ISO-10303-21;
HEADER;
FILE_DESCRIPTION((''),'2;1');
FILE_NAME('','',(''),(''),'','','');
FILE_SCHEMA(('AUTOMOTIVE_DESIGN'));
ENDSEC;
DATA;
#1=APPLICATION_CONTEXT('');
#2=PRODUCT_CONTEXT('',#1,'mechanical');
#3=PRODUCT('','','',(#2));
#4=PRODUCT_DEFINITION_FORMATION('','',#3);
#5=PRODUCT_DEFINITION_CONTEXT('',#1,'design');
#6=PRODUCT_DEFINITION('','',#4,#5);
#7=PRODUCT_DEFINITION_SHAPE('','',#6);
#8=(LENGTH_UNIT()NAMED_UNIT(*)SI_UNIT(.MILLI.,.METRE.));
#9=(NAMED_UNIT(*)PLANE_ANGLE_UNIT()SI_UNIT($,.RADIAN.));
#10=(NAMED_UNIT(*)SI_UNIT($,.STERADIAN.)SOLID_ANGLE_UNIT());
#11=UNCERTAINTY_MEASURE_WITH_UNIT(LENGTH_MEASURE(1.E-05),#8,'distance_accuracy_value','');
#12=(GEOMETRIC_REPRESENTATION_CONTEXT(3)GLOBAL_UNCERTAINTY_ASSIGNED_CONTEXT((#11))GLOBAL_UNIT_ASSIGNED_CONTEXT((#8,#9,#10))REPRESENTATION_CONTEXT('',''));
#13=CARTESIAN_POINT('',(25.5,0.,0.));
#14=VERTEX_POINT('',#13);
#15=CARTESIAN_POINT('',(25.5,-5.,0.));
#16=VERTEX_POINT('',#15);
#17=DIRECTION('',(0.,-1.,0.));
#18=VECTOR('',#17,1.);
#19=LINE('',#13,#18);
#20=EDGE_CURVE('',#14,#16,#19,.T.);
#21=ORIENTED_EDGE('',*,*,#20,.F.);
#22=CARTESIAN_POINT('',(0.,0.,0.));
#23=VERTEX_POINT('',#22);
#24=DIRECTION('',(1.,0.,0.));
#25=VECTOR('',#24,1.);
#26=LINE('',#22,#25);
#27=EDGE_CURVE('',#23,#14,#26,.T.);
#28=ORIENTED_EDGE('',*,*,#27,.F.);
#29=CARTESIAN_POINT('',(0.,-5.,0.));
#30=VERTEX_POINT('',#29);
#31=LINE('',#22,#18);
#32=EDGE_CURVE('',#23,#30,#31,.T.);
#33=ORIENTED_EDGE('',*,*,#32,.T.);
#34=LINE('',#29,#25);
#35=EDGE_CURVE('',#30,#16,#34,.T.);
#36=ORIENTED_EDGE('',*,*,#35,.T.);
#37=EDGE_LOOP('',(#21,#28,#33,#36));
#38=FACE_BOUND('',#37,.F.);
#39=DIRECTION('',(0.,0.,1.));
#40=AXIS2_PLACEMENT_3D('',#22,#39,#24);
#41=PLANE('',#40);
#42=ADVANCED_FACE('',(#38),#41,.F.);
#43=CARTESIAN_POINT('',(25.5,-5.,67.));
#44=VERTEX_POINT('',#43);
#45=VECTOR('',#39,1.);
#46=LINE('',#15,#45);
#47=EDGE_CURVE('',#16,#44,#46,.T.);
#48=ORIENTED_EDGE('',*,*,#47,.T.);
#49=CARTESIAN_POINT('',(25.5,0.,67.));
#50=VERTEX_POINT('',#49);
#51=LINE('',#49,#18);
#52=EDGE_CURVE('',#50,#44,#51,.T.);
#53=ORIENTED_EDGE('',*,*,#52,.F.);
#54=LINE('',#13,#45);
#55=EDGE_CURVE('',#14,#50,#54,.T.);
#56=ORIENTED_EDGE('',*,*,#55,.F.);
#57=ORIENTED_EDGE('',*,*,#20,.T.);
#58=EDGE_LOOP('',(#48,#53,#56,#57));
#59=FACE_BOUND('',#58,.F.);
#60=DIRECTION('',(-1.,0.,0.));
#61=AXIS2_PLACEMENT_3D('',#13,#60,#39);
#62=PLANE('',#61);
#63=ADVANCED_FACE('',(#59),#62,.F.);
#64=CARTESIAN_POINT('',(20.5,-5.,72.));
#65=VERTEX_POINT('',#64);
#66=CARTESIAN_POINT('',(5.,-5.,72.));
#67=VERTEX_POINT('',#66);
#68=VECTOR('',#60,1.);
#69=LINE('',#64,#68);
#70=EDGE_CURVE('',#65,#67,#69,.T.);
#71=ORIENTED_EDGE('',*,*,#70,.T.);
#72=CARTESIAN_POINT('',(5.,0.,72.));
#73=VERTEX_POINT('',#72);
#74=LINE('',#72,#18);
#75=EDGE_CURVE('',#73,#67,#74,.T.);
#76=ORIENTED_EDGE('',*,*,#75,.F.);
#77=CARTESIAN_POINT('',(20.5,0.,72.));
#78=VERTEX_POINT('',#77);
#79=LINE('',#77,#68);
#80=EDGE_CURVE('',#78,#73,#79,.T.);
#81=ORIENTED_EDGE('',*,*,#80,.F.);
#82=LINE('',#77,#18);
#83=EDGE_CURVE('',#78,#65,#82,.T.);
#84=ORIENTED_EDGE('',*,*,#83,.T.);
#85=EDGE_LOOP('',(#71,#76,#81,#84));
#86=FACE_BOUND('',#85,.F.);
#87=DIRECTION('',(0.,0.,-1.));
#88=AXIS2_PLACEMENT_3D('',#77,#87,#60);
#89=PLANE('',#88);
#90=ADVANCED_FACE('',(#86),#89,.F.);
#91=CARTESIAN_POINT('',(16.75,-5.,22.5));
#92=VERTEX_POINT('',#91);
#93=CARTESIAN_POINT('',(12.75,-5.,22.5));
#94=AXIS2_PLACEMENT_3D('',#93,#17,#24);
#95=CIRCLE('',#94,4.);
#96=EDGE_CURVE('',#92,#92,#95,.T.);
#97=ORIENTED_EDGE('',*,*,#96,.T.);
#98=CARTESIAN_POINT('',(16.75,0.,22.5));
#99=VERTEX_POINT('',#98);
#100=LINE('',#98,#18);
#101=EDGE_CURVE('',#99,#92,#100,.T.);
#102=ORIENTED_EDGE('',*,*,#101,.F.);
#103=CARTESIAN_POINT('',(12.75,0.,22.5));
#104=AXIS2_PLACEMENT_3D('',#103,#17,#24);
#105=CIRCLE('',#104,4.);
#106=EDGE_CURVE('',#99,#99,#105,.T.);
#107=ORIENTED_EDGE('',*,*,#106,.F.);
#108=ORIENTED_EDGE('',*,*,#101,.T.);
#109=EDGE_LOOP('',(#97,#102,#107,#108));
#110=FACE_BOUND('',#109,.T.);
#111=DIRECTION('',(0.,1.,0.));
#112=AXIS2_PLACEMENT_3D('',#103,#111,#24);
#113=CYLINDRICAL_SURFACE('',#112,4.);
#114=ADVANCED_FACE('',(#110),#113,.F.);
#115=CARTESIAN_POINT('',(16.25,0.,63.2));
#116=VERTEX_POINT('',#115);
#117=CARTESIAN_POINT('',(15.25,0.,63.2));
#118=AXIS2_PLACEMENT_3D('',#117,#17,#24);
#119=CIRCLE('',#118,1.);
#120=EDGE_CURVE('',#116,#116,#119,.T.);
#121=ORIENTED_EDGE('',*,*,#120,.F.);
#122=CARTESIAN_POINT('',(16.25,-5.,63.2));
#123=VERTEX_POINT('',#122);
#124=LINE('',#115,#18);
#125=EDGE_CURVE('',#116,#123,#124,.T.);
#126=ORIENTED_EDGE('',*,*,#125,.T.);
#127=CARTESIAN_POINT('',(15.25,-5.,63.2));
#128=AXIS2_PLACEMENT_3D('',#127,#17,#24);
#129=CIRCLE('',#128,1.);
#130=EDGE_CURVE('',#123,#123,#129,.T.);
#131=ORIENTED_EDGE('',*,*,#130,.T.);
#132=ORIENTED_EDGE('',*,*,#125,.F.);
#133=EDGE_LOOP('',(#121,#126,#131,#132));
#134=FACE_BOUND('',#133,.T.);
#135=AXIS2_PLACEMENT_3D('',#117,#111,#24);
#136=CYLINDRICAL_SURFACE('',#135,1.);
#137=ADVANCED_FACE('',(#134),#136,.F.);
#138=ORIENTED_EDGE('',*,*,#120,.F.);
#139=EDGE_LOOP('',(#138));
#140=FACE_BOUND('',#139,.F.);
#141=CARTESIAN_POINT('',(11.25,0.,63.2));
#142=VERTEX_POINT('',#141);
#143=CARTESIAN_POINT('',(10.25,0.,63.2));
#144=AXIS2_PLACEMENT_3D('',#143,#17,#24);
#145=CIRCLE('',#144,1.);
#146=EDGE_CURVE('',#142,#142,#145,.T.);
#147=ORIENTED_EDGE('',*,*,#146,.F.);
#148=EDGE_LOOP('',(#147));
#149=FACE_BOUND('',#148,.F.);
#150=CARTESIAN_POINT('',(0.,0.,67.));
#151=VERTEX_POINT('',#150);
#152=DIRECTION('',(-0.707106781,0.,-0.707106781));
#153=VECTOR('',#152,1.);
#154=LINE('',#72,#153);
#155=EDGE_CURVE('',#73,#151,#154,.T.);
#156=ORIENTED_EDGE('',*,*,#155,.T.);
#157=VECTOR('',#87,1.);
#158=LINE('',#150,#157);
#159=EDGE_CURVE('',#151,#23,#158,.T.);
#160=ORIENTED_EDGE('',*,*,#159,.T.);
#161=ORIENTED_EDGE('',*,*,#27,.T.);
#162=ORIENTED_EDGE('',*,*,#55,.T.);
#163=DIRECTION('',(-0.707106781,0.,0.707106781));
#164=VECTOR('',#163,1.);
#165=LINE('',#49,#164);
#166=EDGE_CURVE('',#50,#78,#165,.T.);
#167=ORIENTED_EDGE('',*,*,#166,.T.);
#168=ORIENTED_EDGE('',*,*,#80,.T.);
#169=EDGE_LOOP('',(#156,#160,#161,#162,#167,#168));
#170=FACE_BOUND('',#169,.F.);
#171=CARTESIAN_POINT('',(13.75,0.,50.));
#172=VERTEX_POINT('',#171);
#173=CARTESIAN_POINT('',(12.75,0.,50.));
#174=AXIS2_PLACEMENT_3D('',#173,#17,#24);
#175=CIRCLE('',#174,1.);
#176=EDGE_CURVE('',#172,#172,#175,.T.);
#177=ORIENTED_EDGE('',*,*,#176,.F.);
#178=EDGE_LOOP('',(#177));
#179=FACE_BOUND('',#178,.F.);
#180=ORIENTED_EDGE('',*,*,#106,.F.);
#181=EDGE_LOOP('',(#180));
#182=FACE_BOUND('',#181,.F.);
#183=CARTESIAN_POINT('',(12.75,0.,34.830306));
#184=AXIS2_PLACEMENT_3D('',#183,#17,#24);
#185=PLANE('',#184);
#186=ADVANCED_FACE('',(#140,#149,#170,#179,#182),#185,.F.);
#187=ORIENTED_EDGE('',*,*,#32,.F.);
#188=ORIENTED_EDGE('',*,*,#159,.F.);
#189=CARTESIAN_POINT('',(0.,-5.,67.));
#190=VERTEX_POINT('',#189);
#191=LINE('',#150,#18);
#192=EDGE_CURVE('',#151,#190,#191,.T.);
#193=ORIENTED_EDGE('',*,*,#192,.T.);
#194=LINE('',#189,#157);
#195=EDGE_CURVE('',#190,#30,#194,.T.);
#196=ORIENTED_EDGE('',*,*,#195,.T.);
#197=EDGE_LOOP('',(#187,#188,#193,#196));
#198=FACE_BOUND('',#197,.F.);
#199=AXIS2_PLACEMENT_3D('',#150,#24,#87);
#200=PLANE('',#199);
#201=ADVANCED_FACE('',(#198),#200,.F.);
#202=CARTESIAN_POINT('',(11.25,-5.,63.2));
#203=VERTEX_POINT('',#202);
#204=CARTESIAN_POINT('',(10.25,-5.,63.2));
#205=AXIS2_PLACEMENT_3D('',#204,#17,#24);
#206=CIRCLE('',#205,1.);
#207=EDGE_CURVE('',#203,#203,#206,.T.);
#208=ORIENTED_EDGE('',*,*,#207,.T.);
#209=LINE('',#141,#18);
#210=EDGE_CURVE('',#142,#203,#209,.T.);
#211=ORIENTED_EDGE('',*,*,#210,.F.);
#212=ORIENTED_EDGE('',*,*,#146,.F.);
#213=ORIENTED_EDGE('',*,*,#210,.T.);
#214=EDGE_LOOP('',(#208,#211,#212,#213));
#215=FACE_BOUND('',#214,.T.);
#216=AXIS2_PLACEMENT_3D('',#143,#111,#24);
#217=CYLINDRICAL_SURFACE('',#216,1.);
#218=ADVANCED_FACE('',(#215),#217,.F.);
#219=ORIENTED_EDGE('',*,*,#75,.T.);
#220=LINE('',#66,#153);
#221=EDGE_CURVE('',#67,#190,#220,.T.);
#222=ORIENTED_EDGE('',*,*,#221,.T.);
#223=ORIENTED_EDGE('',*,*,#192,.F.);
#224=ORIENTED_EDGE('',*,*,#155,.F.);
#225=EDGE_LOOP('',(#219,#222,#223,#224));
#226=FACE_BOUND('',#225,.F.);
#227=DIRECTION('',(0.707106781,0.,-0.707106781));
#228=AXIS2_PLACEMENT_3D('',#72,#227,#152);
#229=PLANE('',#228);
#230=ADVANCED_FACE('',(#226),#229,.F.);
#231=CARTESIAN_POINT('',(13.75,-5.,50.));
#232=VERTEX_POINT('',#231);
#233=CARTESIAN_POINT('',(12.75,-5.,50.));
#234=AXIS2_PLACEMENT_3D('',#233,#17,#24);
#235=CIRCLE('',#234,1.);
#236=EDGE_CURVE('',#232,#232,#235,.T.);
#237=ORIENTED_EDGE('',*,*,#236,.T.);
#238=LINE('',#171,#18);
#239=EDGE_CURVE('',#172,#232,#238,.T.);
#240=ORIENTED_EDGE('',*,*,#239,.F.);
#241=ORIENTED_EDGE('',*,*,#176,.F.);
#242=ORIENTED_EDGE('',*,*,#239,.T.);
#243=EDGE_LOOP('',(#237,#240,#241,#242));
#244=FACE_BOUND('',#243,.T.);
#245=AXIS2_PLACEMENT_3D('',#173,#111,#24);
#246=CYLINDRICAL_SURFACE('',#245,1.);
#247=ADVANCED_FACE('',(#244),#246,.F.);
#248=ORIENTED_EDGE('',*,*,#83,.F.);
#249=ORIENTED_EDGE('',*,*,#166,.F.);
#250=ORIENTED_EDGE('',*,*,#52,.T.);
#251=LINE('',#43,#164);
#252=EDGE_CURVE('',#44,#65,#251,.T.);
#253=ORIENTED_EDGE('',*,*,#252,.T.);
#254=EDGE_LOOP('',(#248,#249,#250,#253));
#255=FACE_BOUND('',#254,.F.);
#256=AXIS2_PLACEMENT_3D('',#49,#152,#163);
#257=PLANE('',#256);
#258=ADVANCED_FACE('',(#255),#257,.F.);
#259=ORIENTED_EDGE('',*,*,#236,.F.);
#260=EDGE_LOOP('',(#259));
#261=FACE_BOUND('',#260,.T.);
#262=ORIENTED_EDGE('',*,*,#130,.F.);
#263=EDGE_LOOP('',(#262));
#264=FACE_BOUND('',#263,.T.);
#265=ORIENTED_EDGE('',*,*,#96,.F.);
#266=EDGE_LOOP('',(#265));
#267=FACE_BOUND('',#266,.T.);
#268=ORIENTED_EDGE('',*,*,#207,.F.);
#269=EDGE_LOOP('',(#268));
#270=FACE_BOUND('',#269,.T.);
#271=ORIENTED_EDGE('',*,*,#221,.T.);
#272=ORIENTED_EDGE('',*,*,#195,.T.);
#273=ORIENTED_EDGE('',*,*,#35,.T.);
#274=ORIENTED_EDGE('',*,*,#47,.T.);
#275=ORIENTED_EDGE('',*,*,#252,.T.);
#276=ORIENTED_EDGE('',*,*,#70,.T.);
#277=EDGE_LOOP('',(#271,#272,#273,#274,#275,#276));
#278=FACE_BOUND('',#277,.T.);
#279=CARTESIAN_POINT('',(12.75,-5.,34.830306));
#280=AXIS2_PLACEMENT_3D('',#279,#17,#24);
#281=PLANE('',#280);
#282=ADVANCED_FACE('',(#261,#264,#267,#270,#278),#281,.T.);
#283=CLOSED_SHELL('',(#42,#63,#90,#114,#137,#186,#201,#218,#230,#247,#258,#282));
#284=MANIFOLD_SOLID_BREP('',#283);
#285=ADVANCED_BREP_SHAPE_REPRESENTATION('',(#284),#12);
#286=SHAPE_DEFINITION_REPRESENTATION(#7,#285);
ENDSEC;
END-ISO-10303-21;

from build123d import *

# Parameters (mm, degrees)
F0_R     = 4
F0_R_2   = 1
F1_DEPTH = 5


with BuildPart() as f1:
    # F0 (on Front) → F1 (new body)
    with BuildSketch(Plane.XZ):
        Polygon((0, 67), (0, 0), (25.5, 0), (25.5, 67), (20.5, 72), (5, 72), align=None)
        with Locations((12.75, 22.5)):
            Circle(F0_R, mode=Mode.SUBTRACT)
        with Locations((10.25, 63.2)):
            Circle(F0_R_2, mode=Mode.SUBTRACT)
        with Locations((12.75, 50)):
            Circle(F0_R_2, mode=Mode.SUBTRACT)
        with Locations((15.25, 63.2)):
            Circle(F0_R_2, mode=Mode.SUBTRACT)
    extrude(amount=F1_DEPTH)


solid = f1.part
